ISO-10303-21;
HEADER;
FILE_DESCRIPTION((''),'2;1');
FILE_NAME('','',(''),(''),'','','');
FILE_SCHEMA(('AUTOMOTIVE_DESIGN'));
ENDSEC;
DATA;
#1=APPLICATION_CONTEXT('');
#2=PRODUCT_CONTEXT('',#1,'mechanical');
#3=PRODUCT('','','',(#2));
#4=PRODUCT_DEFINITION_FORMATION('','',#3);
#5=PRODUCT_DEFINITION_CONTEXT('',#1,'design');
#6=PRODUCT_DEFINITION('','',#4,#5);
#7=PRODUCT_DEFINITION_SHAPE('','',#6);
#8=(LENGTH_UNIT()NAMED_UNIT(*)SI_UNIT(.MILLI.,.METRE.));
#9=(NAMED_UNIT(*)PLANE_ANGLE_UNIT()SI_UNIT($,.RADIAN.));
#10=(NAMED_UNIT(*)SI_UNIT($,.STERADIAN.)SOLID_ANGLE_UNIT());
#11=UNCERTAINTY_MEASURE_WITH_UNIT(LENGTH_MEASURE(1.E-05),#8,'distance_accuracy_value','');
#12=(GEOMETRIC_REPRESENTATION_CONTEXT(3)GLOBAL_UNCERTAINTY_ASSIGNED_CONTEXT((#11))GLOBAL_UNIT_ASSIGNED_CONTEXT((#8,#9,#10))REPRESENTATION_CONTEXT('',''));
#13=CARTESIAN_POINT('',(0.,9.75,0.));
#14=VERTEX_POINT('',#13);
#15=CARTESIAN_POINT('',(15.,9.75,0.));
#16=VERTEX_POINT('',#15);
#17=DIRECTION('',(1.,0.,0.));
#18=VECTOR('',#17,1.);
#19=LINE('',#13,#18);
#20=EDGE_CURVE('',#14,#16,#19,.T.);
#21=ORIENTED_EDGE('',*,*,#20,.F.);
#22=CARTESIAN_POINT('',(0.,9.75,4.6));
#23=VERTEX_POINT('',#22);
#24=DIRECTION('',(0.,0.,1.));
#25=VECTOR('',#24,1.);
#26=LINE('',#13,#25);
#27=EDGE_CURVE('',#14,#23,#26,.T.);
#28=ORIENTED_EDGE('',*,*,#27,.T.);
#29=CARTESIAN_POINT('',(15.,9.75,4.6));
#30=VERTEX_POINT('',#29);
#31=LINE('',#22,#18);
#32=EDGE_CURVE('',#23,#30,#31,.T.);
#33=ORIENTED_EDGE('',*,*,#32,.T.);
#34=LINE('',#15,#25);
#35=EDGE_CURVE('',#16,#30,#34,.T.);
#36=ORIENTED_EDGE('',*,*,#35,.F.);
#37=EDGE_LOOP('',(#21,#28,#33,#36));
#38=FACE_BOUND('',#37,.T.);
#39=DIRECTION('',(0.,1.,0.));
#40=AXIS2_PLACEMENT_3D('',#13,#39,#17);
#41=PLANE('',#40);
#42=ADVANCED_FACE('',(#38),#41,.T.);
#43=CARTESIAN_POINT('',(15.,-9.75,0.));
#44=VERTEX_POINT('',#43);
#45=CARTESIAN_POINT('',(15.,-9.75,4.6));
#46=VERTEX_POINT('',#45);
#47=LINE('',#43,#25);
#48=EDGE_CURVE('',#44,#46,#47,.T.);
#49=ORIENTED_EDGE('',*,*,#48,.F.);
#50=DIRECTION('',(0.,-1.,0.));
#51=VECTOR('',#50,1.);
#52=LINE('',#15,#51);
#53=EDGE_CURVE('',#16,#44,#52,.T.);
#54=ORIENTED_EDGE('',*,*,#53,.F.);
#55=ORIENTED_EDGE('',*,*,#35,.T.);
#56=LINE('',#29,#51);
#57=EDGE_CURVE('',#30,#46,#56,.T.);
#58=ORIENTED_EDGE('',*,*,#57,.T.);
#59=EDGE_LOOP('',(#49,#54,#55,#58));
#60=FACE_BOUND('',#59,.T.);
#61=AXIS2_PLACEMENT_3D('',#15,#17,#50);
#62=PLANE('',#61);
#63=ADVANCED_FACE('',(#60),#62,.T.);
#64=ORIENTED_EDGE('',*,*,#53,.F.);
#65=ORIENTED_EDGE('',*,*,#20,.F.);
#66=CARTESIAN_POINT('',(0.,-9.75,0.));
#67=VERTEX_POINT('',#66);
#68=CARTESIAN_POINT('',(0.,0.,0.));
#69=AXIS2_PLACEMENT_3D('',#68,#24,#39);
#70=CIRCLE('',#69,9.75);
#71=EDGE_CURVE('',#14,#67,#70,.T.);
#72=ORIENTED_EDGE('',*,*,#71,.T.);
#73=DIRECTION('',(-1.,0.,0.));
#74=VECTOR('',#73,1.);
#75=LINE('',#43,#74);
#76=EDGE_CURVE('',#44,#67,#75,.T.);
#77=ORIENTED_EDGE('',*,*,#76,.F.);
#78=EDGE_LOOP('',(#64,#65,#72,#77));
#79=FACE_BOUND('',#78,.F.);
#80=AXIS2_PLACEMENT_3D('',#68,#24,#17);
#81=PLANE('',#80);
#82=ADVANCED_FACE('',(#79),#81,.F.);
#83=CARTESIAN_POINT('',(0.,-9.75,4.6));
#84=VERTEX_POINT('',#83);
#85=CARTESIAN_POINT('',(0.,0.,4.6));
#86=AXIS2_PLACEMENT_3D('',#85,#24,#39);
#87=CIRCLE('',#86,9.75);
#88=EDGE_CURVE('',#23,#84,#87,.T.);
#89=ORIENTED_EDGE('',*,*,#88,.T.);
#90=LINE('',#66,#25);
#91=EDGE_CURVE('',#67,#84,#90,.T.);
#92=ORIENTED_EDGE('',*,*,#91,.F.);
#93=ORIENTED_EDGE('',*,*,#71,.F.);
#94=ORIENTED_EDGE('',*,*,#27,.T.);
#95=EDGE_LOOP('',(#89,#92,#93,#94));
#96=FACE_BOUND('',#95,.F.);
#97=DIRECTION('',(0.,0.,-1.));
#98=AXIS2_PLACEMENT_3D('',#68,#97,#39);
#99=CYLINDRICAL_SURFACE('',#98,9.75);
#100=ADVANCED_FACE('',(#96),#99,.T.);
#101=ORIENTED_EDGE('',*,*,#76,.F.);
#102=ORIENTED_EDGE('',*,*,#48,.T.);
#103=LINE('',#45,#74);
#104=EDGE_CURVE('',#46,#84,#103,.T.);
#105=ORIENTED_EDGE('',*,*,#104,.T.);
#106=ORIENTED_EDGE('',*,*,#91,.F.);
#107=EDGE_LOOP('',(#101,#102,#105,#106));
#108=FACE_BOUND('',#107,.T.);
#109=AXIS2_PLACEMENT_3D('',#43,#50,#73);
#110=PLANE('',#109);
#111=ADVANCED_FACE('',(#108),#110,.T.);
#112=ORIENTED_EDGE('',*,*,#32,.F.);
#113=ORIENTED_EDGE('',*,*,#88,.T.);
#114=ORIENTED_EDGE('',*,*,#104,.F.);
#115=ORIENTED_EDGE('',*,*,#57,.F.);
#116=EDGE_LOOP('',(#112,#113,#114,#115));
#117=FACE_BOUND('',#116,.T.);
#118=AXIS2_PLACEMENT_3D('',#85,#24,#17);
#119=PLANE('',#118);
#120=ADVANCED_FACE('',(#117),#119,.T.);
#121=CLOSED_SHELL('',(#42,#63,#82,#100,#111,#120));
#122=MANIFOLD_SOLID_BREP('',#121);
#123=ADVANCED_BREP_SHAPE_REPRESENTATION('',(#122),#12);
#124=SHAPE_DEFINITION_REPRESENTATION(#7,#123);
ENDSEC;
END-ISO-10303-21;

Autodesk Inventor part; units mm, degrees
ref_plane "YZ Plane" through (0, 0, 0) normal (1, 0, 0) x (0, 1, 0)
ref_plane "XZ Plane" through (0, 0, 0) normal (0, 1, 0) x (-1, 0, 0)
ref_plane "XY Plane" through (0, 0, 0) normal (0, 0, 1) x (1, 0, 0)
sketch "Sketch1" plane through (0, 0, 0) normal (0, 0, 1) x (1, 0, 0)
  arc A0 (0, 9.75) -> (0, -9.75) centre (0, 0) ccw
  line L0 (0, 9.75) -> (15, 9.75)
  line L1 (15, 9.75) -> (15, -9.75)
  line L2 (15, -9.75) -> (0, -9.75)
  dimension "d0" = 19.5
  dimension "d1" = 15
extrude "Extrusion1" add sketch "Sketch1" along normal blind 4.6
properties part number "Air Restricter 1"
